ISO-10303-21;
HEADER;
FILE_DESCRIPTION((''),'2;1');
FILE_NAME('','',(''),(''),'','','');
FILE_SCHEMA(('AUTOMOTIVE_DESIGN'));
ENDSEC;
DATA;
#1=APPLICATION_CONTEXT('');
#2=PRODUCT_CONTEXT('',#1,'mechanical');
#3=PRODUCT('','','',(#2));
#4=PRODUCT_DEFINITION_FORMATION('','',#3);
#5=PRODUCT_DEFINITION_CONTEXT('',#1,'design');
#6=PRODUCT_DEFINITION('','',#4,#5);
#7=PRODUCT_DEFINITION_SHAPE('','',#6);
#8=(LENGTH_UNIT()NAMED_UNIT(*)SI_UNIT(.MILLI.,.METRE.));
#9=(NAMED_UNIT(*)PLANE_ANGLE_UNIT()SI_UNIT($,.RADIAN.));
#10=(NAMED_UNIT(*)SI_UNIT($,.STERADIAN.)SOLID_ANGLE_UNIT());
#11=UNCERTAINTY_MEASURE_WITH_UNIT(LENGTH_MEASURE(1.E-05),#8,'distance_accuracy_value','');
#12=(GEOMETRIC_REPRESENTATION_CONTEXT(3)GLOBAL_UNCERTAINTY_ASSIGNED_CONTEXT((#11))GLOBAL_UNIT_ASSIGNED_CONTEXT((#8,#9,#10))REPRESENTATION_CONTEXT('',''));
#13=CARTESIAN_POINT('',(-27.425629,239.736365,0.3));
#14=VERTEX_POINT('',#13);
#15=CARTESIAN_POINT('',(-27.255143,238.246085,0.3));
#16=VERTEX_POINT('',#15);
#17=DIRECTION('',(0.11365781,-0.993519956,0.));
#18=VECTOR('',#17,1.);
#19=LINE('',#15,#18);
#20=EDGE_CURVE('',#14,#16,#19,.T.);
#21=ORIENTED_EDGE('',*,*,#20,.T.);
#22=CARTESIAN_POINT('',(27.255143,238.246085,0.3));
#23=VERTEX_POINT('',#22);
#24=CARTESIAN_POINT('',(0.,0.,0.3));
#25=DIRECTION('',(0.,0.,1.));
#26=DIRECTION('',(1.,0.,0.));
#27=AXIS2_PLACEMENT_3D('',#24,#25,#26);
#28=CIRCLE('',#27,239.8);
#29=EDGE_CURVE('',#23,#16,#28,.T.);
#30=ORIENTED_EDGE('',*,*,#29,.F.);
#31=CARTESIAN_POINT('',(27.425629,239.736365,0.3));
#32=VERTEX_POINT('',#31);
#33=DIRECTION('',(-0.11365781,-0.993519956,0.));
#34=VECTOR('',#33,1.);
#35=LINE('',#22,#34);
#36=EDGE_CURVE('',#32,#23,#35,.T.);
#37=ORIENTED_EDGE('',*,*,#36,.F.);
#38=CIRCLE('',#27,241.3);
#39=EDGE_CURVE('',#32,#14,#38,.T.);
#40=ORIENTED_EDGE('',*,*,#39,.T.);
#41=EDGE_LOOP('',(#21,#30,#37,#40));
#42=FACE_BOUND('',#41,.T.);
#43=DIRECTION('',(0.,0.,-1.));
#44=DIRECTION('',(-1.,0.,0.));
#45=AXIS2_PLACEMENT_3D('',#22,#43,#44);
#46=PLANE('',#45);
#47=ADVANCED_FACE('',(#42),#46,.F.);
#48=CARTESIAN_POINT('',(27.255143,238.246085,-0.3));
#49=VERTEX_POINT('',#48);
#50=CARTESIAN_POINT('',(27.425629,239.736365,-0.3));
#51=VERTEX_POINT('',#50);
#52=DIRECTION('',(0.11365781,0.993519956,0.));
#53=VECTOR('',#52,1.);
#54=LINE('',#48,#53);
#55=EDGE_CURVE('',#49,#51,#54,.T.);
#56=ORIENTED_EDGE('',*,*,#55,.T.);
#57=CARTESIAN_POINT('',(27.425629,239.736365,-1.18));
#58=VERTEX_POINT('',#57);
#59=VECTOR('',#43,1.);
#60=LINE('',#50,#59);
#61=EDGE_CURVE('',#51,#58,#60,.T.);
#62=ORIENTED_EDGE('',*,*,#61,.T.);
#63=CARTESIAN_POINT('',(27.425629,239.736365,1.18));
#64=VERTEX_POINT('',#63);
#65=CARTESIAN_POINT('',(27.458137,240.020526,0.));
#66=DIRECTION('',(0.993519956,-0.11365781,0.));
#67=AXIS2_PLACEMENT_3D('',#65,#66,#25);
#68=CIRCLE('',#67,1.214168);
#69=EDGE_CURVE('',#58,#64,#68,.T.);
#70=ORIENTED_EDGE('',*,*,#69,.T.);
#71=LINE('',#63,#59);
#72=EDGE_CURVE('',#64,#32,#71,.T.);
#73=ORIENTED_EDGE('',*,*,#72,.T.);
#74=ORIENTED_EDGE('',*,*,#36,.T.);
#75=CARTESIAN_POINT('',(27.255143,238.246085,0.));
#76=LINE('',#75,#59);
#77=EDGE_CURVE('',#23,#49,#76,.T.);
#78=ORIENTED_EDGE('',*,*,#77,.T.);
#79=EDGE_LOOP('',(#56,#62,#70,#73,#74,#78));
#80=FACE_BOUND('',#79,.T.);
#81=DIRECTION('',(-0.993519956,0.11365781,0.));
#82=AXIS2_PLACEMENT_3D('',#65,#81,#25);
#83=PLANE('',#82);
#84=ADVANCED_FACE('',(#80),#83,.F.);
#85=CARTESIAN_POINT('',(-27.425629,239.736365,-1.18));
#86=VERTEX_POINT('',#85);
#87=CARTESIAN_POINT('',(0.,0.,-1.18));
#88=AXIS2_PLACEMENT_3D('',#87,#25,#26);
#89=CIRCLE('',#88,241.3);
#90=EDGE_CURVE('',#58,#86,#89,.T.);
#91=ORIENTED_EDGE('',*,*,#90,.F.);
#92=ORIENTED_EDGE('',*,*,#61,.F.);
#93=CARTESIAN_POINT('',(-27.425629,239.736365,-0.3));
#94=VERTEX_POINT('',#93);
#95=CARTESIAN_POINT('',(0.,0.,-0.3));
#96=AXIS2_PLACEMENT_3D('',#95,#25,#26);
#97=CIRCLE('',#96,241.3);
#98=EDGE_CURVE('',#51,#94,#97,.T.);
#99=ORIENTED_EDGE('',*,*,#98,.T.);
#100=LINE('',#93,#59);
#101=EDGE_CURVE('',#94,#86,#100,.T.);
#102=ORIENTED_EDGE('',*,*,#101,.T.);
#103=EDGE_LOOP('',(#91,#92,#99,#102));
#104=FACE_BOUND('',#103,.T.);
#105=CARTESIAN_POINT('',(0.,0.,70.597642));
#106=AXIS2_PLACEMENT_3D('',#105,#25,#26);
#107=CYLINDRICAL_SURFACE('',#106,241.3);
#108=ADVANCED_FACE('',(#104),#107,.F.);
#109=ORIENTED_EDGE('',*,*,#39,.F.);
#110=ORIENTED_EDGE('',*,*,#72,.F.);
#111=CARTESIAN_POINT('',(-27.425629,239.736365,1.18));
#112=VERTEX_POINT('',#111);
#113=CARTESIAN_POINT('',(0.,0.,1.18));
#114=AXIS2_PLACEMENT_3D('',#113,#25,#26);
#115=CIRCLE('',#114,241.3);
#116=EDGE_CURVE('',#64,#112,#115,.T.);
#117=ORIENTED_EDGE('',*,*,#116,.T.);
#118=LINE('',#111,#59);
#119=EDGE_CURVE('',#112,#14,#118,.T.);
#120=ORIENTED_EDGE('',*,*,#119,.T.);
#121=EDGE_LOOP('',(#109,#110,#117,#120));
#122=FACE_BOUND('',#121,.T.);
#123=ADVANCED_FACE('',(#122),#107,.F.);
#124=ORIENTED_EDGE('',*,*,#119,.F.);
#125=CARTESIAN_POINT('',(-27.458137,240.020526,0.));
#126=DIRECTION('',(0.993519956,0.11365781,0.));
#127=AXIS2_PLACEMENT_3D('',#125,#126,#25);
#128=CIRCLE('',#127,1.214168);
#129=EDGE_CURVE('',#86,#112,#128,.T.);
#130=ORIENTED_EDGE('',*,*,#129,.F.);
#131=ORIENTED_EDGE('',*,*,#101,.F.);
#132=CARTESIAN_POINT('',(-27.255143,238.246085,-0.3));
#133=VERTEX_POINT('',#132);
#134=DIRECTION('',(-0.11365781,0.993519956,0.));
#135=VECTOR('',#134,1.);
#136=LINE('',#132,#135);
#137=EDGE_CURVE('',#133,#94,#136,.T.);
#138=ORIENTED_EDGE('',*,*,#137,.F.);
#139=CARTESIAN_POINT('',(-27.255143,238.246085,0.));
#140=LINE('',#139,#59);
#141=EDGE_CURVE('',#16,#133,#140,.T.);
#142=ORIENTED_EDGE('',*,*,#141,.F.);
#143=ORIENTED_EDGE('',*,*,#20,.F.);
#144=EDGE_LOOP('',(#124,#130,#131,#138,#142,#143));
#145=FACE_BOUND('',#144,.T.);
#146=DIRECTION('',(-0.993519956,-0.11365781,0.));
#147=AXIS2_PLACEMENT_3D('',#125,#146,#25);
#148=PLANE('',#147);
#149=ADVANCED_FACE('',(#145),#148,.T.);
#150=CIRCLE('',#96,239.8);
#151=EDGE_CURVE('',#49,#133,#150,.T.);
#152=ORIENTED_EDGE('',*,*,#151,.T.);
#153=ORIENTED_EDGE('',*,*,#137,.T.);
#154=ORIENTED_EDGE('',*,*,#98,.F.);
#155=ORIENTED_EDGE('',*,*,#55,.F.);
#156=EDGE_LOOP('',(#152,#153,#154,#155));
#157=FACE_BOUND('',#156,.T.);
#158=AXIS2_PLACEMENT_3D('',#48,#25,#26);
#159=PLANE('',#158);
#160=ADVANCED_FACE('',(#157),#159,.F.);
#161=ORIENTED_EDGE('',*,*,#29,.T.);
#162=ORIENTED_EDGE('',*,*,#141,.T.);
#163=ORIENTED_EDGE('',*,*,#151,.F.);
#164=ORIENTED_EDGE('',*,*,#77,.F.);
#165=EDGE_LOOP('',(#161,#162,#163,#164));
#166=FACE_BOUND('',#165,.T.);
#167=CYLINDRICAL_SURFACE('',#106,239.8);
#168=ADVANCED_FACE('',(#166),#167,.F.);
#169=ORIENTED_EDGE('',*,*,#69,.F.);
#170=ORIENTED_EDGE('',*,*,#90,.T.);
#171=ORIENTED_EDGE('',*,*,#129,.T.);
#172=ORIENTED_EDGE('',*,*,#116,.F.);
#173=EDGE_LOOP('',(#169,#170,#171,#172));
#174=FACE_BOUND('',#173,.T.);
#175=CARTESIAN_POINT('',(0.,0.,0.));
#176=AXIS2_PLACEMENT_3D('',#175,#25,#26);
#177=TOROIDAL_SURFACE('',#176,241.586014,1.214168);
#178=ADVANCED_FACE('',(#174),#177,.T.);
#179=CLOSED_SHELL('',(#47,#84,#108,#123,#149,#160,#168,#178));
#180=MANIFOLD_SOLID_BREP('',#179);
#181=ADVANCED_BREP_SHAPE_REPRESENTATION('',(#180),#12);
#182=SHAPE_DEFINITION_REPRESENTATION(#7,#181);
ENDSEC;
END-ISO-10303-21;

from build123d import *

# Parameters (mm, degrees)
REVOLVE1_ANGLE           = 6.526215624
REVOLVE1_OTHER_WAY_ANGLE = 6.526215624


with BuildPart() as part:
    # Sketch2 → Revolve1 (revolve)
    with BuildSketch(Plane(origin=(0, 0, 0), x_dir=(0, 0, -1), z_dir=(1, 0, 0))):
        with BuildLine():
            Line((0, 239.8), (0.3, 239.8))
            Line((0.3, 239.8), (0.3, 241.3))
            Line((0.3, 241.3), (1.18, 241.3))
            ThreePointArc((1.18, 241.3), (0, 242.800182019), (-1.18, 241.3))
            Line((-1.18, 241.3), (-0.3, 241.3))
            Line((-0.3, 241.3), (-0.3, 239.8))
            Line((-0.3, 239.8), (0, 239.8))
        make_face()
    revolve(axis=Axis((0, 0, 70.597641597), (0, 0, -1)), revolution_arc=REVOLVE1_ANGLE)

    # Sketch2 → Revolve1 other way (revolve)
    with BuildSketch(Plane(origin=(0, 0, 0), x_dir=(0, 0, -1), z_dir=(1, 0, 0))):
        with BuildLine():
            Line((0, 239.8), (0.3, 239.8))
            Line((0.3, 239.8), (0.3, 241.3))
            Line((0.3, 241.3), (1.18, 241.3))
            ThreePointArc((1.18, 241.3), (0, 242.800182019), (-1.18, 241.3))
            Line((-1.18, 241.3), (-0.3, 241.3))
            Line((-0.3, 241.3), (-0.3, 239.8))
            Line((-0.3, 239.8), (0, 239.8))
        make_face()
    revolve(axis=Axis((0, 0, 70.597641597), (0, 0, 1)), revolution_arc=REVOLVE1_OTHER_WAY_ANGLE)


solid = part.part
